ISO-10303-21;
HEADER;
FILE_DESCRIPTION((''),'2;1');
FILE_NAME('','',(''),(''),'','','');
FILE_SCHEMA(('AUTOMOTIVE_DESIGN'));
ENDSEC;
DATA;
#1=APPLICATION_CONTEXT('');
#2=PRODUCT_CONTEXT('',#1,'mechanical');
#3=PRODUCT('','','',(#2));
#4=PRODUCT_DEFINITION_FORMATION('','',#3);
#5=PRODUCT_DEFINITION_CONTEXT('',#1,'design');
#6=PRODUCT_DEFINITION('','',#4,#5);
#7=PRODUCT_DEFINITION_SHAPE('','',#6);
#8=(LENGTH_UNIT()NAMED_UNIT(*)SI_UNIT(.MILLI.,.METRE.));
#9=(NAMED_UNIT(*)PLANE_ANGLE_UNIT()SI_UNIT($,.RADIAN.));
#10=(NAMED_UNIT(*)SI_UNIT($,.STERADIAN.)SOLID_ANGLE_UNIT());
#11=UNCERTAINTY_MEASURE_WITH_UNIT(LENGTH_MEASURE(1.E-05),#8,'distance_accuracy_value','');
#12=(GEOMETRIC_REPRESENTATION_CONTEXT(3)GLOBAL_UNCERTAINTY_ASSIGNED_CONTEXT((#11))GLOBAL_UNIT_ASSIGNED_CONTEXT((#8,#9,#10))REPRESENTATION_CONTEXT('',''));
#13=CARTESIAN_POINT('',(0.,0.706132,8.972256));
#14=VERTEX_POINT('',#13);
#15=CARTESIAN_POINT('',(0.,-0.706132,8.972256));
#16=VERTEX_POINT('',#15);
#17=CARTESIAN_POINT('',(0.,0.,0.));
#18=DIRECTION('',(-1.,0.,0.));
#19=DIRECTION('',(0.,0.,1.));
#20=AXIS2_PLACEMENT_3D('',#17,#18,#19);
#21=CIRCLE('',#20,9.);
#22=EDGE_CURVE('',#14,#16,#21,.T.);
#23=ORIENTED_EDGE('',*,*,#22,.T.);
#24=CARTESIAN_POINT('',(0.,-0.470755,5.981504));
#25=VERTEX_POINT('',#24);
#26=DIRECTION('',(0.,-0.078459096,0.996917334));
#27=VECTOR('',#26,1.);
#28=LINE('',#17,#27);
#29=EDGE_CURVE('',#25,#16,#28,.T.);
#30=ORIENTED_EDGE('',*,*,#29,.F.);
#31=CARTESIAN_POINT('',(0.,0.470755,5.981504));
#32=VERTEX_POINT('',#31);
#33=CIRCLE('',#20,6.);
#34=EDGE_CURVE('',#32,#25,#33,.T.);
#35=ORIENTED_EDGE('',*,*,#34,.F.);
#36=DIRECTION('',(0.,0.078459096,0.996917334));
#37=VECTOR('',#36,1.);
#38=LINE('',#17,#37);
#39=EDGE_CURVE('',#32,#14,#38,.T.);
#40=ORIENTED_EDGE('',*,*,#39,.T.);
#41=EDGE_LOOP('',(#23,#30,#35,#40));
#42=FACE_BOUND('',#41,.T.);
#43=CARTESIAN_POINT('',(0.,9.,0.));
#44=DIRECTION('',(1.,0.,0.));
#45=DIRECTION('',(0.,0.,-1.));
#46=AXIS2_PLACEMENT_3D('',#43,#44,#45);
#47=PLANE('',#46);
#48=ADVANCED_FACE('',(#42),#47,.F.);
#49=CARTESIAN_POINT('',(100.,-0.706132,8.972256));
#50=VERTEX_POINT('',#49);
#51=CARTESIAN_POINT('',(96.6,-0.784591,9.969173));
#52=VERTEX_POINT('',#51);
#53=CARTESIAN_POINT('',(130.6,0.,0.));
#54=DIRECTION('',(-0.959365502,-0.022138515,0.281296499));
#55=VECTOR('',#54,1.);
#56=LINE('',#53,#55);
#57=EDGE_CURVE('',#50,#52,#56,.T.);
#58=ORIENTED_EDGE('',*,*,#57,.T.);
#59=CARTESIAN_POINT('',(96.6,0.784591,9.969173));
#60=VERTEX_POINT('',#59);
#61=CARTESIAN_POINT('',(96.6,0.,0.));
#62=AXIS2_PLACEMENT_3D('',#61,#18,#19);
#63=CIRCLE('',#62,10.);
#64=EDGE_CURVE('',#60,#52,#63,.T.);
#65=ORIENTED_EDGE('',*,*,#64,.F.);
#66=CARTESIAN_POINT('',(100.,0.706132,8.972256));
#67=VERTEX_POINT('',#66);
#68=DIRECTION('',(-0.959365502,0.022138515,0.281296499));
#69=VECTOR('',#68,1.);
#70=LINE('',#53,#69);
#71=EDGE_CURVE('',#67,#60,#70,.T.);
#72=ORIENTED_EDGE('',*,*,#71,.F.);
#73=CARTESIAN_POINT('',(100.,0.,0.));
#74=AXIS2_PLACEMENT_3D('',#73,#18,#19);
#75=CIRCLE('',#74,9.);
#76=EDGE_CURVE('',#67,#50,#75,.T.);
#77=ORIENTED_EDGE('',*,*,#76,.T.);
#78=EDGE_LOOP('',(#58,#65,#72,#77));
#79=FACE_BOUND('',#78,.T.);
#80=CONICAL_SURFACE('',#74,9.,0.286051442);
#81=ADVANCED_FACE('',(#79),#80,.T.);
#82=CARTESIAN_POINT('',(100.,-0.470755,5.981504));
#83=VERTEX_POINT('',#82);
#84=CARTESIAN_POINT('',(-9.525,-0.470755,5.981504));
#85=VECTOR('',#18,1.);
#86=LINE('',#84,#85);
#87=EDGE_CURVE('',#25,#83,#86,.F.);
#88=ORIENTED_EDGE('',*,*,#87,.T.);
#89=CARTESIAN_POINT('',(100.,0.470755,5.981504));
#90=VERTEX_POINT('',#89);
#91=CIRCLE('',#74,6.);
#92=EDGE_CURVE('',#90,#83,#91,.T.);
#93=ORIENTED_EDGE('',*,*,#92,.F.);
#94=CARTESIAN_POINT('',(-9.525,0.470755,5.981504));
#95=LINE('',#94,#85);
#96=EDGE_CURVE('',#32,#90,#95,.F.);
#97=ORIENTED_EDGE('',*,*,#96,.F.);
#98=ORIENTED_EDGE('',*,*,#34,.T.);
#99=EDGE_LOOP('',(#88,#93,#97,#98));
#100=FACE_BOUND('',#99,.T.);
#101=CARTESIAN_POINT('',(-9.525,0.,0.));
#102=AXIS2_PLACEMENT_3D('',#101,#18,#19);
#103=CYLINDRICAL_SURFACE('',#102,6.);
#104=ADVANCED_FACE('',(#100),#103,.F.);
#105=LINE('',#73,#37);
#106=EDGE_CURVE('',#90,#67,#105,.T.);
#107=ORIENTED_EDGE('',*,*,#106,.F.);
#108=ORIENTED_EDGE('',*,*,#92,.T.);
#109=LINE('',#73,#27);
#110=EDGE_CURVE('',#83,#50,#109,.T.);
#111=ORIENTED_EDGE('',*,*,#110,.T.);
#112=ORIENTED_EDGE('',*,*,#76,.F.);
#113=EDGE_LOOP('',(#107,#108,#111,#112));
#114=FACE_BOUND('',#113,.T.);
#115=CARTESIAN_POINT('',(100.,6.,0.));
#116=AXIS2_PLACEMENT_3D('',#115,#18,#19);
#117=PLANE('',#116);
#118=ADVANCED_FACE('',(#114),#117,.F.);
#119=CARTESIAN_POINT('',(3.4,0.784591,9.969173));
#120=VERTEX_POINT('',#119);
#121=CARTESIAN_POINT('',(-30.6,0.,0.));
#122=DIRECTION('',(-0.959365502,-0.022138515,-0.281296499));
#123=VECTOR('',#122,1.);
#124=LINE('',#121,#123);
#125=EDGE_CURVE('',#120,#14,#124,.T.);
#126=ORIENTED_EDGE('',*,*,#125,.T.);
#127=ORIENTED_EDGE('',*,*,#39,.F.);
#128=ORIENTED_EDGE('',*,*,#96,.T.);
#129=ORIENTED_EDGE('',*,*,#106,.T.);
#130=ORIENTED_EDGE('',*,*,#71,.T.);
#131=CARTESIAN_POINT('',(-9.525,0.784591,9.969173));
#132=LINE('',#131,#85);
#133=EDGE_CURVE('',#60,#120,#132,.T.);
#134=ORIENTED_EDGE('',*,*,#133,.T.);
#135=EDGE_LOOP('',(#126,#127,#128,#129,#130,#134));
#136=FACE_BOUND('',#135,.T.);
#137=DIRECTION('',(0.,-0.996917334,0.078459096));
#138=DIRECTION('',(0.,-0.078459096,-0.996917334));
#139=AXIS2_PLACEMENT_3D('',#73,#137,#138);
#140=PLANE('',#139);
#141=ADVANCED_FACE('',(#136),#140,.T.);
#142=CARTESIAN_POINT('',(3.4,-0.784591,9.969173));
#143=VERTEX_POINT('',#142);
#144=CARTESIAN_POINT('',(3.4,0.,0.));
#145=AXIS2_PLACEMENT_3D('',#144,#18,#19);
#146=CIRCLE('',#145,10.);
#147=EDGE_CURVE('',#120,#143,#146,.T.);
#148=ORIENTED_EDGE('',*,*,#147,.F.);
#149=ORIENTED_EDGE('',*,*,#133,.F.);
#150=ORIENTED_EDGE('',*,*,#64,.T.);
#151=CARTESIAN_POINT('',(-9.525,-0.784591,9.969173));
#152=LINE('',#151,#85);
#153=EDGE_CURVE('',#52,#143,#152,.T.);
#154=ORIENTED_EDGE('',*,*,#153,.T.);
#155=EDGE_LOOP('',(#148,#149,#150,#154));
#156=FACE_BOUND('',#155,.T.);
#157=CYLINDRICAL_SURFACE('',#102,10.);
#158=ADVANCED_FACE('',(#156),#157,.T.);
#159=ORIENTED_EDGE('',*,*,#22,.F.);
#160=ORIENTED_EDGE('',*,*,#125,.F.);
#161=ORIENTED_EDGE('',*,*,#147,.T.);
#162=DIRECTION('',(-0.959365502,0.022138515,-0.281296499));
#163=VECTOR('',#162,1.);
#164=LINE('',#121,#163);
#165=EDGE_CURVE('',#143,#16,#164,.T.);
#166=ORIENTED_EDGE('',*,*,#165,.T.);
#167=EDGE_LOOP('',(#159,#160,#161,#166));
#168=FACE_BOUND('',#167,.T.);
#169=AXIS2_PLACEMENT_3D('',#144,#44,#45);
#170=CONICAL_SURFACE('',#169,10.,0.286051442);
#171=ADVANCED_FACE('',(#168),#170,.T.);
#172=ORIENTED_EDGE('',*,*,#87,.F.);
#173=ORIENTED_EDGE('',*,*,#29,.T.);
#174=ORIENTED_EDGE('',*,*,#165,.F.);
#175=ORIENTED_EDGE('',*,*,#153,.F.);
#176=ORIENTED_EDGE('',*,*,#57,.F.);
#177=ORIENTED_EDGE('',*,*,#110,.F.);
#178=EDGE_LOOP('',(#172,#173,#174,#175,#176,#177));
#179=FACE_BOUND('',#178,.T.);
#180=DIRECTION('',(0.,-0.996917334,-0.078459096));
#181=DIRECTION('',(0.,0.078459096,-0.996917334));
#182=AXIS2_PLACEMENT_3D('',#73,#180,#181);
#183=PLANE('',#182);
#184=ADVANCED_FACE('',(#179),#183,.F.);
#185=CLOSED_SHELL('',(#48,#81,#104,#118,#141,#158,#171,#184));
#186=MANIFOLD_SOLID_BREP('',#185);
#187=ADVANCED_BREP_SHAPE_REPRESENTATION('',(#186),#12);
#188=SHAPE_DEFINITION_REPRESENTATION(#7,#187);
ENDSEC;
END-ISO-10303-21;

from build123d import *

# Parameters (mm, degrees)
GAP_DEPTH = 101.995049384


with BuildPart() as part:
    # Sketch1 → Base-Revolve (revolve)
    with BuildSketch(Plane.XY, mode=Mode.PRIVATE) as base_revolve_sk:
        Polygon((0, 6), (100, 6), (100, 9), (96.6, 10), (3.4, 10), (0, 9), align=None)
    revolve(base_revolve_sk.sketch.rotate(Axis((-9.525, 0, 0), (1, 0, 0)), 90), axis=Axis((-9.525, 0, 0), (1, 0, 0)))

    # Sketch2 → Gap (cut, through all)
    with BuildSketch(Plane(origin=(0, 0, 0), x_dir=(0, -1, 0), z_dir=(-1, 0, 0))):
        with BuildLine():
            Line((0, 0), (0.800282776, 10.168556804))
            ThreePointArc((0.800282776, 10.168556804), (0, 10.2), (-0.800282776, 10.168556804))
            Line((-0.800282776, 10.168556804), (0, 0))
        make_face()
    extrude(amount=-GAP_DEPTH, mode=Mode.SUBTRACT)


solid = part.part
